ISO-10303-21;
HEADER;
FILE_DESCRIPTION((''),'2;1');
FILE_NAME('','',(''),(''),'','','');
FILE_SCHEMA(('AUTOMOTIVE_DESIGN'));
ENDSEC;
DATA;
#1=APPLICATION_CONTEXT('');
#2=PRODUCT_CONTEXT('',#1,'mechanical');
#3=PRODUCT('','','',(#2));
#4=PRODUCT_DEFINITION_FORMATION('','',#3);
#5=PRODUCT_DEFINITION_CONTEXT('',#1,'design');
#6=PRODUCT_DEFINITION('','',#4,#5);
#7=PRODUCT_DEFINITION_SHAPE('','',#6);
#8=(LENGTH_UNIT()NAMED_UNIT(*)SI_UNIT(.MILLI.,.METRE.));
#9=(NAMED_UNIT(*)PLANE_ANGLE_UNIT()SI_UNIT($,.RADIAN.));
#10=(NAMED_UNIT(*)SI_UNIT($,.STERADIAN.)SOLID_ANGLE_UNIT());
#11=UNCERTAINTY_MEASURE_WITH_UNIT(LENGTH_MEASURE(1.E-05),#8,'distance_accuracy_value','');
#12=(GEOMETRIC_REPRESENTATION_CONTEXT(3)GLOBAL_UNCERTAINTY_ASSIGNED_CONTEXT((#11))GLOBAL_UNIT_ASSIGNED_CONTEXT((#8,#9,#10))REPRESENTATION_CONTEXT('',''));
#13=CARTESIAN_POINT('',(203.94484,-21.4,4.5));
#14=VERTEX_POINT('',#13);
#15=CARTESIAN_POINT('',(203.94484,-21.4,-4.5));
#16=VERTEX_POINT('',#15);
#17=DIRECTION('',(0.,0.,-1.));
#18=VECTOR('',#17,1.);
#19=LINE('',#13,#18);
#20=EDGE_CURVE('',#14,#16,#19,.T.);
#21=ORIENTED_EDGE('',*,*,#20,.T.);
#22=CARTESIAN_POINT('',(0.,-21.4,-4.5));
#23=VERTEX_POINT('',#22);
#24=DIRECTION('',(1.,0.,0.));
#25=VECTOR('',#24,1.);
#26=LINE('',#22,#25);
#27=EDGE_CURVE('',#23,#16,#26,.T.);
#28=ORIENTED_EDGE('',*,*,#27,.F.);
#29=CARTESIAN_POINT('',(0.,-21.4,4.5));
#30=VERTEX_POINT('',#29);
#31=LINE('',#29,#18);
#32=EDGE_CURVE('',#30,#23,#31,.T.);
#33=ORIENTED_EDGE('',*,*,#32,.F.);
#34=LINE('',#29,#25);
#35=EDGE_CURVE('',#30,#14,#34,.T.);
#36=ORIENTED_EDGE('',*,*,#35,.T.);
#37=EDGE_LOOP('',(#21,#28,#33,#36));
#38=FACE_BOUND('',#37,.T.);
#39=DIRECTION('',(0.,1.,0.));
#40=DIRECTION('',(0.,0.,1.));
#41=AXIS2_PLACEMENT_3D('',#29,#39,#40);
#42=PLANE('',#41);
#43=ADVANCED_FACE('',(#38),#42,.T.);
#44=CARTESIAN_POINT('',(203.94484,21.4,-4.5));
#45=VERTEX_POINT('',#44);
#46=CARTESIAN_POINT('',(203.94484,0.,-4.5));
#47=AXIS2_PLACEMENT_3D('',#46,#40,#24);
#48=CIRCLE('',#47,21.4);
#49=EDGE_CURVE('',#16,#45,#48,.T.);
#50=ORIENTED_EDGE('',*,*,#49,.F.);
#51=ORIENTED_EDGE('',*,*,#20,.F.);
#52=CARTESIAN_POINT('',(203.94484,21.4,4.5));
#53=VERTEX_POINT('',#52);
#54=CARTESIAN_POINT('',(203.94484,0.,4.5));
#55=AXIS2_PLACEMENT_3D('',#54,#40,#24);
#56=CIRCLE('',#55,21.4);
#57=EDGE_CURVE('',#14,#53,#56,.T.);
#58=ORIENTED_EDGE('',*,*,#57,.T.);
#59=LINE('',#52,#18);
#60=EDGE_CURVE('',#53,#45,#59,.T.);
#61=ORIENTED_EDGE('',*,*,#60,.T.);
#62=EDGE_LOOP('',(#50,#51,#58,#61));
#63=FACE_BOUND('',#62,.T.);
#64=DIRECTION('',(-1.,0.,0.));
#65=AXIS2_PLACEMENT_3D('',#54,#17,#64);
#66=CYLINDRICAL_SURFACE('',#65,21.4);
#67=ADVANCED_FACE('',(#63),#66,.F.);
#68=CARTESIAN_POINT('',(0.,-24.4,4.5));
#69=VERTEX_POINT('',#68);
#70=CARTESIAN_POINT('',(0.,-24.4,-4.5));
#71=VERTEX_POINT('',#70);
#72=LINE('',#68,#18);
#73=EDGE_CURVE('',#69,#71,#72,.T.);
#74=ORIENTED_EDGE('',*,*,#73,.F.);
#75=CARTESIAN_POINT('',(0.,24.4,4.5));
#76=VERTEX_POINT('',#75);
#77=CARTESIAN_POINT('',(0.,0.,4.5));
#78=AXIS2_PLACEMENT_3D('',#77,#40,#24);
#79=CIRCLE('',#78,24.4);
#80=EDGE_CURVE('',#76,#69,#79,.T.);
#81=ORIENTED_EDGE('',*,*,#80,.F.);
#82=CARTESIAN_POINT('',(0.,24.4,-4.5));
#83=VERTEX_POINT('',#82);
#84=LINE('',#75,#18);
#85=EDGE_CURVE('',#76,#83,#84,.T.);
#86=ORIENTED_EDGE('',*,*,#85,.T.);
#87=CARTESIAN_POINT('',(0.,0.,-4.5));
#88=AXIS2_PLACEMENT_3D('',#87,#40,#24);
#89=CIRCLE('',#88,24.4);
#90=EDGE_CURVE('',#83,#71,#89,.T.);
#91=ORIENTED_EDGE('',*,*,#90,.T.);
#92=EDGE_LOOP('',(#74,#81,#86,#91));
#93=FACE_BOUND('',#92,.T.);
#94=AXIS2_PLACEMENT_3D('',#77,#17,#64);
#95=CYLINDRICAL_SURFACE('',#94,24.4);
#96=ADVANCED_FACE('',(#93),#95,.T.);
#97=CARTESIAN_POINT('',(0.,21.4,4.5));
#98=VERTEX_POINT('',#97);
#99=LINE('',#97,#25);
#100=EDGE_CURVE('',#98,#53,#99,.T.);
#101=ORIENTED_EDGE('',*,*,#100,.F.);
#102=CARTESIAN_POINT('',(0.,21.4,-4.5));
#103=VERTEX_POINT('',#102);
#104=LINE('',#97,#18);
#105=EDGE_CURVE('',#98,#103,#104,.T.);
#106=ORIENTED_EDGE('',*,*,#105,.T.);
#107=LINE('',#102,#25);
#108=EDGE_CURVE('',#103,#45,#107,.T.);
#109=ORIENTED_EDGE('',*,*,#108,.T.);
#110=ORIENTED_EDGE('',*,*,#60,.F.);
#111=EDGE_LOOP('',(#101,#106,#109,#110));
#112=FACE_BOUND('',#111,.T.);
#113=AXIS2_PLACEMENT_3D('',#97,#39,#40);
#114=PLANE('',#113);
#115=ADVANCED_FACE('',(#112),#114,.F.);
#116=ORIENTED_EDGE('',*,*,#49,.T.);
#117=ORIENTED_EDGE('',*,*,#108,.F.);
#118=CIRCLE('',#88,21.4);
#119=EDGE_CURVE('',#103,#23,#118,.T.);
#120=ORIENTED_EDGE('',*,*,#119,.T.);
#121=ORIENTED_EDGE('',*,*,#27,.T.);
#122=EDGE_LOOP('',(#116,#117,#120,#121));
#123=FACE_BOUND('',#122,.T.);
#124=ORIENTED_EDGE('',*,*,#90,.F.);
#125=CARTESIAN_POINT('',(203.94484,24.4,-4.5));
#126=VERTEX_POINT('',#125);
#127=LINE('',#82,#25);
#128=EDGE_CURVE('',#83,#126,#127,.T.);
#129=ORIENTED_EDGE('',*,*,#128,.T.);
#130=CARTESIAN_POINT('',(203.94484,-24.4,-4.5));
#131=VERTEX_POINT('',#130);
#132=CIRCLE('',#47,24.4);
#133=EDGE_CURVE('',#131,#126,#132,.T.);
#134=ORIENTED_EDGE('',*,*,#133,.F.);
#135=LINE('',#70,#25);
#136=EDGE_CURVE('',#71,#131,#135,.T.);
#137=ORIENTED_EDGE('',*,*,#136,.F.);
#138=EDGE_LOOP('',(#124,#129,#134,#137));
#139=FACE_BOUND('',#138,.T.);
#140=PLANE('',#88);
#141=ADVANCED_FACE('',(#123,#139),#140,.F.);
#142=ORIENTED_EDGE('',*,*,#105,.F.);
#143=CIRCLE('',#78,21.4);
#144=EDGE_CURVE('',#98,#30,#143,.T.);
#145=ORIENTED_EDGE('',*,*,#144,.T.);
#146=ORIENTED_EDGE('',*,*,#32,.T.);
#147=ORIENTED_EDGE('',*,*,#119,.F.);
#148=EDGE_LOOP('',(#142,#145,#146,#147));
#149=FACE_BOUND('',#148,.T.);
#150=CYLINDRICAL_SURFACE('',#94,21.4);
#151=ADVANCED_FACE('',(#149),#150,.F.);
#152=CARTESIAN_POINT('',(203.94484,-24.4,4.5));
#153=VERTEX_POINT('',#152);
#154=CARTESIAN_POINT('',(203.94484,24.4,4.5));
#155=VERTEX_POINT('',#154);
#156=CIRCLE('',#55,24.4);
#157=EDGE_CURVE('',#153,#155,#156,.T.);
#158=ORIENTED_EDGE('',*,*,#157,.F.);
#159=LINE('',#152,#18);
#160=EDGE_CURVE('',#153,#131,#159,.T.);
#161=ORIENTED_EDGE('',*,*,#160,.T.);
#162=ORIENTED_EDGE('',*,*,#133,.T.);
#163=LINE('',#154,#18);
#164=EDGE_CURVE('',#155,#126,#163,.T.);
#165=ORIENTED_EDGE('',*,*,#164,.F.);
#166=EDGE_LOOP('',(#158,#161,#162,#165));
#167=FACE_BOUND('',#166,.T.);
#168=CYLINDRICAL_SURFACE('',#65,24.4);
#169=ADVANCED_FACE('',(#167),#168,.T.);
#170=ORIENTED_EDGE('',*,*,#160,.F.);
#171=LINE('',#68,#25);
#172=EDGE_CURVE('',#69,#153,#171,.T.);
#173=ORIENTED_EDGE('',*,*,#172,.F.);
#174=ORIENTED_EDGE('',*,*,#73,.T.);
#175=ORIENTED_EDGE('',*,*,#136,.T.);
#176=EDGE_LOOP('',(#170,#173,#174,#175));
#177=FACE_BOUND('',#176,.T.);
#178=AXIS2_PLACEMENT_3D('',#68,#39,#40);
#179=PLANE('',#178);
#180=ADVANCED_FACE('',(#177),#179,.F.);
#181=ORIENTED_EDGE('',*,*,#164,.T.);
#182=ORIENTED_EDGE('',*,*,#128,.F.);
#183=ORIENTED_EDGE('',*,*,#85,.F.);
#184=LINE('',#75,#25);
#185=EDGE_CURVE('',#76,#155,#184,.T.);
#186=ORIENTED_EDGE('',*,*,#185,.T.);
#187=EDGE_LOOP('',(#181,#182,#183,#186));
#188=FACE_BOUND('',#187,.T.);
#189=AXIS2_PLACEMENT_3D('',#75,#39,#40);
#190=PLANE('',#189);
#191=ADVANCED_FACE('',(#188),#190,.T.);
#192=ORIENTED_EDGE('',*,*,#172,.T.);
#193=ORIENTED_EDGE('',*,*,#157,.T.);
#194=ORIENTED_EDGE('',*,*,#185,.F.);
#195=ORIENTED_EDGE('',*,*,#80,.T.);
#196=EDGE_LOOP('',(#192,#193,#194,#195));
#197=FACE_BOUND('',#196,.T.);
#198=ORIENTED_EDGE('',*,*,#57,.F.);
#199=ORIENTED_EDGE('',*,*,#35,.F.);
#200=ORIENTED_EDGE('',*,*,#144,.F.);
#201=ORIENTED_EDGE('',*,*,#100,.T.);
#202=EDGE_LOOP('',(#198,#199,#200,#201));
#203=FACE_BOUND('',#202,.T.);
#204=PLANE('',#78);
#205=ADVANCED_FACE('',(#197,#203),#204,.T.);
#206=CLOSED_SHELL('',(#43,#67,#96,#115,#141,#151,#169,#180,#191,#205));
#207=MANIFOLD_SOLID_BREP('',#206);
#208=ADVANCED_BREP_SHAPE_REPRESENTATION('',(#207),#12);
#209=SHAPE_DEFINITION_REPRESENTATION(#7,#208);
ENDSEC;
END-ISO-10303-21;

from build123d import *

# Parameters (mm, degrees)
RESSALTO_EXTRUS_O1_DEPTH = 4.5


with BuildPart() as part:
    # Esboço1 → Ressalto-extrusão1 (new body, symmetric)
    with BuildSketch(Plane.XY):
        with BuildLine():
            ThreePointArc((203.94484, -24.4), (228.34484, 0), (203.94484, 24.4))
            Line((203.94484, 24.4), (0, 24.4))
            ThreePointArc((0, 24.4), (-24.4, 0), (0, -24.4))
            Line((0, -24.4), (203.94484, -24.4))
        make_face()
        with BuildLine():
            ThreePointArc((0, -21.4), (-21.4, 0), (0, 21.4))
            Line((0, 21.4), (203.94484, 21.4))
            ThreePointArc((203.94484, 21.4), (225.34484, 0), (203.94484, -21.4))
            Line((203.94484, -21.4), (0, -21.4))
        make_face(mode=Mode.SUBTRACT)
    extrude(amount=RESSALTO_EXTRUS_O1_DEPTH, both=True)


solid = part.part
